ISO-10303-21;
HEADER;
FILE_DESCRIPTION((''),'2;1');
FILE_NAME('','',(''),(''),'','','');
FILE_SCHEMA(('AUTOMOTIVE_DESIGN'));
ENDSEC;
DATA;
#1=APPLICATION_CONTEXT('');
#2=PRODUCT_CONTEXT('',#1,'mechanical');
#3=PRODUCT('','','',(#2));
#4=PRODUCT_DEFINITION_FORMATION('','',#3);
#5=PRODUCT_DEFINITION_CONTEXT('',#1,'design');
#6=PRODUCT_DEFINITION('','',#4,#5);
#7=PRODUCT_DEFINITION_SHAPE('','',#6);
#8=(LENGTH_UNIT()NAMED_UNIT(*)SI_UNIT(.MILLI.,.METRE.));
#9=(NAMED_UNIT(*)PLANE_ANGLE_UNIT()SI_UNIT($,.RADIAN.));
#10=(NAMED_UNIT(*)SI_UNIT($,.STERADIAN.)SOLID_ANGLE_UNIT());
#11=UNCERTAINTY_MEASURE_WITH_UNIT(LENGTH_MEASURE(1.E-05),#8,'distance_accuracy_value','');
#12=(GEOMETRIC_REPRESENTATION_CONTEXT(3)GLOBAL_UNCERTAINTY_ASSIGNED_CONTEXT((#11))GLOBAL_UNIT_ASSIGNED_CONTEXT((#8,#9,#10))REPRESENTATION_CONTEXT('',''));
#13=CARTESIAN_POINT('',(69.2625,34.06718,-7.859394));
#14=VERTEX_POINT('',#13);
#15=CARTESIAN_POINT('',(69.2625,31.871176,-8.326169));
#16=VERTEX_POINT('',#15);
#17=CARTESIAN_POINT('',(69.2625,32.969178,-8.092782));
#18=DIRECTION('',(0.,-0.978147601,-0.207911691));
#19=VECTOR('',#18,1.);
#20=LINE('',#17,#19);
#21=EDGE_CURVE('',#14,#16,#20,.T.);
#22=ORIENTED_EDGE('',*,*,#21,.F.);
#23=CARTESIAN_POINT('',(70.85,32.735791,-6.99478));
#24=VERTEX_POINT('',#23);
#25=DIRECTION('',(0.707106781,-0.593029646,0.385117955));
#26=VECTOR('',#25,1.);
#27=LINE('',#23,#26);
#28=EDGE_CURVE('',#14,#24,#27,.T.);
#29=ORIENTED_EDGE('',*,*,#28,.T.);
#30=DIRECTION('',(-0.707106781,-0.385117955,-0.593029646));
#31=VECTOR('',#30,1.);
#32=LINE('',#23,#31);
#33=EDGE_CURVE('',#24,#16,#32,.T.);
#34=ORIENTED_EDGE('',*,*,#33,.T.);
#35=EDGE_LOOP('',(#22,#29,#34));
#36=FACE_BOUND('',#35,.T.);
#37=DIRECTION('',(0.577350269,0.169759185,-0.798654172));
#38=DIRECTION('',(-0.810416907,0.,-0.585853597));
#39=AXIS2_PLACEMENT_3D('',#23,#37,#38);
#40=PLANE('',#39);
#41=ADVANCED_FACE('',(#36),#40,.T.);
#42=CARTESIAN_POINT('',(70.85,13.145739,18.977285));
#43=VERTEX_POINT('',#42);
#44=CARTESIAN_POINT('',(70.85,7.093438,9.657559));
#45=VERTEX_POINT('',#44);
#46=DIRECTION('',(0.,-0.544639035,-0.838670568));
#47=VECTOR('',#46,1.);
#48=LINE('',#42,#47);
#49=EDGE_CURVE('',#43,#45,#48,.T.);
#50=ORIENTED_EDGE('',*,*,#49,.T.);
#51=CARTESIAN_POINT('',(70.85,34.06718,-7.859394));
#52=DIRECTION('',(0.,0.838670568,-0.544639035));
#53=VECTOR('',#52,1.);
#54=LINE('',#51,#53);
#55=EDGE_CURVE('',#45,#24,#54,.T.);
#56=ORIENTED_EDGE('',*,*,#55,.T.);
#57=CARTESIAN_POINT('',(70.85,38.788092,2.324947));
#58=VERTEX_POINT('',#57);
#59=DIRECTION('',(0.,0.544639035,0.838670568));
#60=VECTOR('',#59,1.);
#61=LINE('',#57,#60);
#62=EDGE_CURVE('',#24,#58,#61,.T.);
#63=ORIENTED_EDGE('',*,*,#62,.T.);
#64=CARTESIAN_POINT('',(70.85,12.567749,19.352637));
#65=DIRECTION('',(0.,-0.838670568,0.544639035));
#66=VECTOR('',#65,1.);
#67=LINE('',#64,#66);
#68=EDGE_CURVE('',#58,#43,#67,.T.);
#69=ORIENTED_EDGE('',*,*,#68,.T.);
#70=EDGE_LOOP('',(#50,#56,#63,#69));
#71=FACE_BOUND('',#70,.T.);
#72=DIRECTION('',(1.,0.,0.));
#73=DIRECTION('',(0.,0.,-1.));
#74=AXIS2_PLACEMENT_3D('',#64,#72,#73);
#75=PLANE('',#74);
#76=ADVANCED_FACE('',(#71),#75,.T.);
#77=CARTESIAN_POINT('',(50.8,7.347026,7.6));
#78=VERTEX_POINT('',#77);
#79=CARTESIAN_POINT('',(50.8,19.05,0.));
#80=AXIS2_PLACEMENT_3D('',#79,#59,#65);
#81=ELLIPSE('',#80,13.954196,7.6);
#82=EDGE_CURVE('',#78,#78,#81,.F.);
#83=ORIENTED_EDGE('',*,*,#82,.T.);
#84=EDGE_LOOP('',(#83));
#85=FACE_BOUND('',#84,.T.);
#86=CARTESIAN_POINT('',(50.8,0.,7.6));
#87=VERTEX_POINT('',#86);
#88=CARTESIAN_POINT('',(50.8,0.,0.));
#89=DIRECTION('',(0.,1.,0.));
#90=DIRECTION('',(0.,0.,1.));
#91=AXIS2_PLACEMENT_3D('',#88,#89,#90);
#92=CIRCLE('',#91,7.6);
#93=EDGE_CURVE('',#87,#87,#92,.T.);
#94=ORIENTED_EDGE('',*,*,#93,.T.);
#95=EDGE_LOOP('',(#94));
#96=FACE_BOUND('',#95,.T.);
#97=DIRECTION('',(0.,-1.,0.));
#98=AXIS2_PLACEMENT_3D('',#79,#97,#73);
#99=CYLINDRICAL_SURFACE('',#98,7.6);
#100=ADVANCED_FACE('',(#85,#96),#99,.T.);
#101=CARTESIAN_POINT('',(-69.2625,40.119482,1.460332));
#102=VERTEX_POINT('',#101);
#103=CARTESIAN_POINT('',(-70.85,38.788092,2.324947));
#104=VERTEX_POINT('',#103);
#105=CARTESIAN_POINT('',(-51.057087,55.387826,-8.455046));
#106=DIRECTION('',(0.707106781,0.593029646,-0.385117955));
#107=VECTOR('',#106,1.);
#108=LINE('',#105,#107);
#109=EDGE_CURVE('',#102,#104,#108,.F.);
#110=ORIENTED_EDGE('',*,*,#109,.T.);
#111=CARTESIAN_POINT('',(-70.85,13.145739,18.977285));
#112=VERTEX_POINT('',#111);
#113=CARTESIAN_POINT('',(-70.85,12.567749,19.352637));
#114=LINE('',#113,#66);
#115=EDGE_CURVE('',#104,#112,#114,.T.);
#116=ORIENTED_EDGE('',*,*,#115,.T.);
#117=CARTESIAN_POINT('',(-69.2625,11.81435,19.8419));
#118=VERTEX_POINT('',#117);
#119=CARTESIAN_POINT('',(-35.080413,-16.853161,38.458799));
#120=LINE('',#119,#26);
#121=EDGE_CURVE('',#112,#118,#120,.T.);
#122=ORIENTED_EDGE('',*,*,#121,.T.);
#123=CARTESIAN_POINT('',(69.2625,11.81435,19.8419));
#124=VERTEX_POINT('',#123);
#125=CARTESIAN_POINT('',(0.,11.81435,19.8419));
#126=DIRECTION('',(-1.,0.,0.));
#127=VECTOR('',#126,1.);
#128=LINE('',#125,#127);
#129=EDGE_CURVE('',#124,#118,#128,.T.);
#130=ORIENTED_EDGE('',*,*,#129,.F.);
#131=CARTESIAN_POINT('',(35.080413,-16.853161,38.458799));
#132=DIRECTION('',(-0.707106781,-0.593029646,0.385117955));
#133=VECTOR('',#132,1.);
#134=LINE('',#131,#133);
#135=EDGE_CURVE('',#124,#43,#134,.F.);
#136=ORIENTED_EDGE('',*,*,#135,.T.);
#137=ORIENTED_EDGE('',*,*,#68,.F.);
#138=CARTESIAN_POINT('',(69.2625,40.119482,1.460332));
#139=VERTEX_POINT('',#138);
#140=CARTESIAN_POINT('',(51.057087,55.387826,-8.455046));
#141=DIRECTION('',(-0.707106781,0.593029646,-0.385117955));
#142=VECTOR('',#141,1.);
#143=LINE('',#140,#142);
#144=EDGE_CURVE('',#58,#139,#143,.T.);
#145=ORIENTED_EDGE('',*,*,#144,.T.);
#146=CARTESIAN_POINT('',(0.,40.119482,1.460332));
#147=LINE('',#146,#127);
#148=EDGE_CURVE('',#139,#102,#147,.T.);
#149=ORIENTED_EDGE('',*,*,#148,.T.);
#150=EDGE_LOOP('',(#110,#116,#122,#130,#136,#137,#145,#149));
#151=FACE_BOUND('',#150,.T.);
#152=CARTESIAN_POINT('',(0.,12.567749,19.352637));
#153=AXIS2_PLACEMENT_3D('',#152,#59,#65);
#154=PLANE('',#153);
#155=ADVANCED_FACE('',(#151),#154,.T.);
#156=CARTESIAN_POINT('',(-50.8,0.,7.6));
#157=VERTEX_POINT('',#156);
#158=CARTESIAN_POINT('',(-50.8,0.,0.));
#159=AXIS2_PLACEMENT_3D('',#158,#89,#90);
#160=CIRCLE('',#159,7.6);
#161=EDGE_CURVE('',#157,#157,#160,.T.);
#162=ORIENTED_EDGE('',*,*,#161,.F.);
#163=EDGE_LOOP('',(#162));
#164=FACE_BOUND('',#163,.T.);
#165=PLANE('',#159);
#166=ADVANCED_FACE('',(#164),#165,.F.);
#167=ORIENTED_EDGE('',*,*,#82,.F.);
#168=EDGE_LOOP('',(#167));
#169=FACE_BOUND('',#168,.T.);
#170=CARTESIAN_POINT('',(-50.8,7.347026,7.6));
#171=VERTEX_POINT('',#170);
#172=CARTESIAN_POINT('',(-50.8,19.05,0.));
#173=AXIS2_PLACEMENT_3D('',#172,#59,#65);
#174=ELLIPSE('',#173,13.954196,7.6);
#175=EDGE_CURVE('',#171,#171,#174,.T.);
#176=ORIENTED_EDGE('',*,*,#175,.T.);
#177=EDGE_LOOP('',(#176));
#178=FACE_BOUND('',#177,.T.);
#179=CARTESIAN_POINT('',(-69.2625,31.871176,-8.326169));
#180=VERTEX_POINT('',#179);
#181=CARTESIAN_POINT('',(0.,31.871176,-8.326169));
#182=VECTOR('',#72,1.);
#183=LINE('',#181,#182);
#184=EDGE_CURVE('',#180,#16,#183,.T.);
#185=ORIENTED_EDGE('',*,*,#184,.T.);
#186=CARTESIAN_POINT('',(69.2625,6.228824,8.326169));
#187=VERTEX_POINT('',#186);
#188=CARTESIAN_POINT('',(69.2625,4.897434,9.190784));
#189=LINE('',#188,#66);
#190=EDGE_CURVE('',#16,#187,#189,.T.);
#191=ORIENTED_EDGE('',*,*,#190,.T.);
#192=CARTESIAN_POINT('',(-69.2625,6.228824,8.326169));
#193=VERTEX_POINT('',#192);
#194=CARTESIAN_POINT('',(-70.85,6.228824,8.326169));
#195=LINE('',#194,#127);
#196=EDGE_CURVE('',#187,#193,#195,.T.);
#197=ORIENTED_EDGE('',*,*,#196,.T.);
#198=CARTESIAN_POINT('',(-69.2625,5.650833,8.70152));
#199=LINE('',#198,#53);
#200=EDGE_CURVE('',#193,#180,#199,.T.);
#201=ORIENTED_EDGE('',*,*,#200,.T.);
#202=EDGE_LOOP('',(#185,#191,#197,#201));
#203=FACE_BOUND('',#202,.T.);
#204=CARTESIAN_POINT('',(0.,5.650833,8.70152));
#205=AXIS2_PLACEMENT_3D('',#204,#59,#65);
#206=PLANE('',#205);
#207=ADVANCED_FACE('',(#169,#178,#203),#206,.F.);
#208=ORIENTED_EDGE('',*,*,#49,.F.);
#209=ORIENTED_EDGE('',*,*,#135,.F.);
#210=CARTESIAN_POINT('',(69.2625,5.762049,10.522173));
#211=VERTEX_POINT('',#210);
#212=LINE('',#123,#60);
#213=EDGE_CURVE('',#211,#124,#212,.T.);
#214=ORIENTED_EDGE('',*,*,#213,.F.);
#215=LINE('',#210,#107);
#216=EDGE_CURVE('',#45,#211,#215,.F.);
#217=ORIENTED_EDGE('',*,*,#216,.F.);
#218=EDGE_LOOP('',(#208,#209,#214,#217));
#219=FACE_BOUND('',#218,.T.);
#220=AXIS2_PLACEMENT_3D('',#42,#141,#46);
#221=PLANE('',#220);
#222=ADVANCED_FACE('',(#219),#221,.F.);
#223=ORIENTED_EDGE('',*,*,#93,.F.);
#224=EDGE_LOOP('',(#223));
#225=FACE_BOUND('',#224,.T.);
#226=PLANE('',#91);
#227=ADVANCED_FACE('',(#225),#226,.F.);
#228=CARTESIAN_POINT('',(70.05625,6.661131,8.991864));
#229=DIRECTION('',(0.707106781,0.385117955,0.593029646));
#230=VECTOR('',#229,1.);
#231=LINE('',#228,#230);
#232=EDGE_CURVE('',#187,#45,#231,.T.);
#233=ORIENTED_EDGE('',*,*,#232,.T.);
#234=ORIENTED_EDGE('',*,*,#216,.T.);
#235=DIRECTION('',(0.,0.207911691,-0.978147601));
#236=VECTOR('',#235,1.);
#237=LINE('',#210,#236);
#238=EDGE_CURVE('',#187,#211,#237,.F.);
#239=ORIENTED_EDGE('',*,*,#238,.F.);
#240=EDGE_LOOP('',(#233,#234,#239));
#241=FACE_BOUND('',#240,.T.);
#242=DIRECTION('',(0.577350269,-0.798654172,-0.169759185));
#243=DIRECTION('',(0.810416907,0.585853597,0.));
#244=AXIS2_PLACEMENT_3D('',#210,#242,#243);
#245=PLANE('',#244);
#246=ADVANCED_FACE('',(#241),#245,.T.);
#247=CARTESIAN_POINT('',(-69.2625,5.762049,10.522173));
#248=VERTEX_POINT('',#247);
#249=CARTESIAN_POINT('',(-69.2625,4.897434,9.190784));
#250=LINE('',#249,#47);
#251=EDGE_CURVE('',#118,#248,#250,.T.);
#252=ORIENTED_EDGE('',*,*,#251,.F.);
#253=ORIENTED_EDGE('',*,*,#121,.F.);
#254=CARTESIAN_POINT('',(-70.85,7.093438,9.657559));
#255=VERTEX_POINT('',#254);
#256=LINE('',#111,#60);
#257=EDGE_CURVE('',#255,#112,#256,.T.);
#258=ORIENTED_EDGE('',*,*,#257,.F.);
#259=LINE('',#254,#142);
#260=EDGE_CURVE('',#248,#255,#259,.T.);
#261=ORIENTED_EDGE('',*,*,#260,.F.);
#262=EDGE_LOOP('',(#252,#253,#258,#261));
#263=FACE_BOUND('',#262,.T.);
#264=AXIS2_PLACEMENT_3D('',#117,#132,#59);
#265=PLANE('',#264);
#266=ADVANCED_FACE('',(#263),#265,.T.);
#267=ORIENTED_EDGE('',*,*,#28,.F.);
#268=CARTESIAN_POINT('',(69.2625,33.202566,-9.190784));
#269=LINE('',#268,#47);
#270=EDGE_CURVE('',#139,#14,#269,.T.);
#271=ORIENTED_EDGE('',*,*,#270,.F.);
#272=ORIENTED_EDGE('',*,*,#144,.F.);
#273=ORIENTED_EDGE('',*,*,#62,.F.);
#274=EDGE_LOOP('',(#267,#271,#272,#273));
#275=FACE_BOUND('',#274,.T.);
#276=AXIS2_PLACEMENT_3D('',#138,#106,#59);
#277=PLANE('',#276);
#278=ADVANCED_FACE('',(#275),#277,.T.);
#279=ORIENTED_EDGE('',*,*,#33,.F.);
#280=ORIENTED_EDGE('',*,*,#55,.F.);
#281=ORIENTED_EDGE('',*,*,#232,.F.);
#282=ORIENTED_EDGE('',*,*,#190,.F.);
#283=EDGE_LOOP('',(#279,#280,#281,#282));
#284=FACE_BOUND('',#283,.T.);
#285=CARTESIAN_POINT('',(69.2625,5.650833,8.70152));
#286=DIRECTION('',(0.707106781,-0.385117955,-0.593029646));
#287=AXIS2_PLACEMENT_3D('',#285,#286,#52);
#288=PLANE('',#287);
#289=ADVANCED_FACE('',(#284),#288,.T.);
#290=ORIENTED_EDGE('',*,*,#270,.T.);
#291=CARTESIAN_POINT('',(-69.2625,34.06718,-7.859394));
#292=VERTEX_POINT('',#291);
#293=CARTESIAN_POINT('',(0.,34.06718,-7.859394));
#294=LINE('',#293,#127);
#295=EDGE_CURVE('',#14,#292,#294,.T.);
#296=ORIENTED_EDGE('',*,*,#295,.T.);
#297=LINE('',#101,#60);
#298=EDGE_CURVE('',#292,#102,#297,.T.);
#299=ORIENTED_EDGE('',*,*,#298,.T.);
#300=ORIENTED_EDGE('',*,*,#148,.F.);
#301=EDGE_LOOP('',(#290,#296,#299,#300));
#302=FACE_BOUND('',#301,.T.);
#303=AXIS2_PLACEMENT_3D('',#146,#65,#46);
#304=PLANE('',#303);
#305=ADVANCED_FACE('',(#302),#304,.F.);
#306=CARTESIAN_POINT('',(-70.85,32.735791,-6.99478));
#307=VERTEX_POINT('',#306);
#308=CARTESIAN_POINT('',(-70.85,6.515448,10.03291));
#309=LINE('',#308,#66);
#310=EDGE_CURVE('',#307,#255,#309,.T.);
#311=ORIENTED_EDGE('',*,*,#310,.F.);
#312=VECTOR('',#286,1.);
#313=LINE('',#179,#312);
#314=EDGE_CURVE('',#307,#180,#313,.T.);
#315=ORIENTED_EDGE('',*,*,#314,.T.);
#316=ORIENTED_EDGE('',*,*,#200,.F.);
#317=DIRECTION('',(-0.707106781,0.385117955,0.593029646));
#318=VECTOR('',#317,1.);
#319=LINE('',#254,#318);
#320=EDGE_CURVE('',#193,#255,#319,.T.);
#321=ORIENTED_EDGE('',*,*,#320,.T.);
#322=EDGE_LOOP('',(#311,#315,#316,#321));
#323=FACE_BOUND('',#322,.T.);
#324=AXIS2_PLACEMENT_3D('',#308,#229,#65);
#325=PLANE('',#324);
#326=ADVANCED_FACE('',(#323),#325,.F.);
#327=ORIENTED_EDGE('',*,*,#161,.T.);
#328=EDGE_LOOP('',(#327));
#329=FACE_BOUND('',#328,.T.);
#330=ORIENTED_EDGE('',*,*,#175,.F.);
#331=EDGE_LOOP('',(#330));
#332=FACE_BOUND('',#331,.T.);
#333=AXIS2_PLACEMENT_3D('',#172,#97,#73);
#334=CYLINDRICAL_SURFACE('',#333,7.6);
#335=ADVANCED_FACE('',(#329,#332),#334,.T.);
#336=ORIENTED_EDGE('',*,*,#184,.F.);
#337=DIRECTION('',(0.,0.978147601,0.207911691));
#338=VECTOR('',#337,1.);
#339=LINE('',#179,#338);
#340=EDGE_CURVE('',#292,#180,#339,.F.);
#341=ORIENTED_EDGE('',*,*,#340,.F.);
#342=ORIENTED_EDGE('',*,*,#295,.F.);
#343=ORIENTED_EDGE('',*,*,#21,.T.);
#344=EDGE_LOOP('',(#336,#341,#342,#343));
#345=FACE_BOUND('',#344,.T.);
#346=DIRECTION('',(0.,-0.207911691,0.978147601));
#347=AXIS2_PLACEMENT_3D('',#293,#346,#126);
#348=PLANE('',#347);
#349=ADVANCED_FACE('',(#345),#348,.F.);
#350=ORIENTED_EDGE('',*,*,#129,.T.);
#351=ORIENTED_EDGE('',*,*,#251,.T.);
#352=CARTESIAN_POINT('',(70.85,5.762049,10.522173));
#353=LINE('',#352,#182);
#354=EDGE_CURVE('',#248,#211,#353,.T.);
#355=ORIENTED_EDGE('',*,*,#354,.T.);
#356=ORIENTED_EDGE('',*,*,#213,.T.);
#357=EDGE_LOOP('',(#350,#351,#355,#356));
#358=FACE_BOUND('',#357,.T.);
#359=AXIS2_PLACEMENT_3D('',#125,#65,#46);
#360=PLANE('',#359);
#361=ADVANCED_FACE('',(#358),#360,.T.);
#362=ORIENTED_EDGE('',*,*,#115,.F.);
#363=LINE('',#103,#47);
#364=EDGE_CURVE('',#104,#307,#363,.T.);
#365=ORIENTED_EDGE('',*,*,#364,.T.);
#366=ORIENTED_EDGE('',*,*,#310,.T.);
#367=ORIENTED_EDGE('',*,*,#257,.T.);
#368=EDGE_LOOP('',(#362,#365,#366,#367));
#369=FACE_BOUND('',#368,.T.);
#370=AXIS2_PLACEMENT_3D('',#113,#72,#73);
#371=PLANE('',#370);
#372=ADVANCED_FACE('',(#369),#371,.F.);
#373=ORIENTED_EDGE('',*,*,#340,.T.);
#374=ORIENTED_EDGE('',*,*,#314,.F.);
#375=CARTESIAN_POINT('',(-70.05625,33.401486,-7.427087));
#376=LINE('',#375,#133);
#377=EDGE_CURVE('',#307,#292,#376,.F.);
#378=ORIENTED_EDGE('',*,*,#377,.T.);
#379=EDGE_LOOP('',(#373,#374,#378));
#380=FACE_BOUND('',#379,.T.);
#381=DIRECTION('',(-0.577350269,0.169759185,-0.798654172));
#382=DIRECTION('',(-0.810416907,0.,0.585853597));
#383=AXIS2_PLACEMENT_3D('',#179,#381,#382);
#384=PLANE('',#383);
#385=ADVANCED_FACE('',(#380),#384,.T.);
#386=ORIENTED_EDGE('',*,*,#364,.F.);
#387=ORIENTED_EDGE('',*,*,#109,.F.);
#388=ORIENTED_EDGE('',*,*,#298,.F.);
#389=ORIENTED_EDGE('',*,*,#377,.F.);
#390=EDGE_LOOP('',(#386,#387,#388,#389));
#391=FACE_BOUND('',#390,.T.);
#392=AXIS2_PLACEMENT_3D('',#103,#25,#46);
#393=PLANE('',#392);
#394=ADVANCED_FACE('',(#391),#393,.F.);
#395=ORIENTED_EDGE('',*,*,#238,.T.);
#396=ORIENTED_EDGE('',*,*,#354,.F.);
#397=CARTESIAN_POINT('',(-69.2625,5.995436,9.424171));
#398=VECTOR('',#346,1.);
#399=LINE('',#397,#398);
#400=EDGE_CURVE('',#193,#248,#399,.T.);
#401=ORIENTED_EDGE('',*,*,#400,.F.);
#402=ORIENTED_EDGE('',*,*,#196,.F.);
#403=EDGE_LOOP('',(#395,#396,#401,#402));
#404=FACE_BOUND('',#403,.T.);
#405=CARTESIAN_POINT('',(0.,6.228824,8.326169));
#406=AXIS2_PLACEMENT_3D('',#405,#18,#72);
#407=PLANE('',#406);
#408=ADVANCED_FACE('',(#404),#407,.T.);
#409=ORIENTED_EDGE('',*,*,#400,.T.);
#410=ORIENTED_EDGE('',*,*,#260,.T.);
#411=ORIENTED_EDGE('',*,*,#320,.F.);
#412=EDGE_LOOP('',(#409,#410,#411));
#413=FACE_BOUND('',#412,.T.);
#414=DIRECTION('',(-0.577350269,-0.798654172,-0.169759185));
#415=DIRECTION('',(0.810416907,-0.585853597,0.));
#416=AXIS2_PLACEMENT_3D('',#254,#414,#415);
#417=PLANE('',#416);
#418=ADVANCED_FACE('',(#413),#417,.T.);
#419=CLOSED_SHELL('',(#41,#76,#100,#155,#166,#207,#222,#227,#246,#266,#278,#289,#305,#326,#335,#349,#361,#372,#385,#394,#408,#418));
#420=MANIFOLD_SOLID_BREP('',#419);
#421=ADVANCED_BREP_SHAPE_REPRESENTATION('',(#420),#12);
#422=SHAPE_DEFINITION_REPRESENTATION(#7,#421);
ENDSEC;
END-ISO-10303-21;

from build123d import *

# Parameters (mm, degrees)
SKETCH2_R             = 7.6
BOSS_EXTRUDE1_DEPTH   = 19.05
BOSS_EXTRUDE1_2_DEPTH = 19.05
SKETCH3_W             = 141.7
SKETCH3_H             = 33.75
BOSS_EXTRUDE2_DEPTH   = 12.7
BOSS_EXTRUDE3_REACH   = 78.533
CHAMFER2_SIZE         = 1.5875


with BuildPart() as part:
    # Sketch2 → Boss-Extrude1 (new body)
    with BuildSketch(Plane(origin=(0, 0, 0), x_dir=(1, 0, 0), z_dir=(0, 1, 0))):
        with Locations((-50.8, 0)):
            Circle(SKETCH2_R)
    extrude(amount=BOSS_EXTRUDE1_DEPTH)



with BuildPart() as body_2:
    # Sketch2 → Boss-Extrude1 2 (new body)
    with BuildSketch(Plane(origin=(0, 0, 0), x_dir=(1, 0, 0), z_dir=(0, 1, 0))):
        with Locations((50.8, 0)):
            Circle(SKETCH2_R)
    extrude(amount=BOSS_EXTRUDE1_2_DEPTH)


with BuildPart() as part_1:
    add(part.part)

    add(body_2.part)  # Boss-Extrude2 merges body 2
    # Sketch3 → Boss-Extrude2 (add)
    with BuildSketch(Plane(origin=(0, 5.650833475, 8.701520484), x_dir=(-1, 0, 0), z_dir=(0, 0.5446390350150281, 0.8386705679454234))):
        with Locations((0, -15.976674319)):
            Rectangle(SKETCH3_W, SKETCH3_H)
    extrude(amount=BOSS_EXTRUDE2_DEPTH)

    # Sketch8 → Boss-Extrude3 (add, up to next)
    with BuildSketch(Plane(origin=(0, 19.05, 0), x_dir=(1, 0, 0), z_dir=(0, 1, 0)), mode=Mode.PRIVATE) as boss_extrude3_sk1:
        with BuildLine():
            ThreePointArc((58.4, 0), (50.8, 7.6), (43.2, 0))
            Line((43.2, 0), (58.4, 0))
        make_face()
    boss_extrude3_tool1 = extrude(boss_extrude3_sk1.sketch, amount=BOSS_EXTRUDE3_REACH, mode=Mode.PRIVATE) - part_1.part
    # Sketch8 → Boss-Extrude3 (add, up to next)
    with BuildSketch(Plane(origin=(0, 19.05, 0), x_dir=(1, 0, 0), z_dir=(0, 1, 0)), mode=Mode.PRIVATE) as boss_extrude3_sk2:
        with BuildLine():
            ThreePointArc((-43.2, 0), (-50.8, 7.6), (-58.4, 0))
            Line((-58.4, 0), (-43.2, 0))
        make_face()
    boss_extrude3_tool2 = extrude(boss_extrude3_sk2.sketch, amount=BOSS_EXTRUDE3_REACH, mode=Mode.PRIVATE) - part_1.part
    add(boss_extrude3_tool1.solids().sort_by_distance((50.8, 19.05, -3.22554))[0])
    add(boss_extrude3_tool2.solids().sort_by_distance((-50.8, 19.05, -3.22554))[0])

    # Chamfer2
    chamfer2_edges = [part_1.edges().sort_by_distance(p)[0] for p in [
        (-70.85, 19.05, 0),
        (0, 33.202565834, -9.190783716),
        (70.85, 19.05, 0),
        (0, 4.897434166, 9.190783716),
        (-70.85, 8.355892038, 14.516341822),
        (70.85, 8.355892038, 14.516341822),
        (70.85, 36.661023706, -3.865225609),
        (-70.85, 36.661023706, -3.865225609),
    ]]
    chamfer(chamfer2_edges, length=CHAMFER2_SIZE)


solid = part_1.part
